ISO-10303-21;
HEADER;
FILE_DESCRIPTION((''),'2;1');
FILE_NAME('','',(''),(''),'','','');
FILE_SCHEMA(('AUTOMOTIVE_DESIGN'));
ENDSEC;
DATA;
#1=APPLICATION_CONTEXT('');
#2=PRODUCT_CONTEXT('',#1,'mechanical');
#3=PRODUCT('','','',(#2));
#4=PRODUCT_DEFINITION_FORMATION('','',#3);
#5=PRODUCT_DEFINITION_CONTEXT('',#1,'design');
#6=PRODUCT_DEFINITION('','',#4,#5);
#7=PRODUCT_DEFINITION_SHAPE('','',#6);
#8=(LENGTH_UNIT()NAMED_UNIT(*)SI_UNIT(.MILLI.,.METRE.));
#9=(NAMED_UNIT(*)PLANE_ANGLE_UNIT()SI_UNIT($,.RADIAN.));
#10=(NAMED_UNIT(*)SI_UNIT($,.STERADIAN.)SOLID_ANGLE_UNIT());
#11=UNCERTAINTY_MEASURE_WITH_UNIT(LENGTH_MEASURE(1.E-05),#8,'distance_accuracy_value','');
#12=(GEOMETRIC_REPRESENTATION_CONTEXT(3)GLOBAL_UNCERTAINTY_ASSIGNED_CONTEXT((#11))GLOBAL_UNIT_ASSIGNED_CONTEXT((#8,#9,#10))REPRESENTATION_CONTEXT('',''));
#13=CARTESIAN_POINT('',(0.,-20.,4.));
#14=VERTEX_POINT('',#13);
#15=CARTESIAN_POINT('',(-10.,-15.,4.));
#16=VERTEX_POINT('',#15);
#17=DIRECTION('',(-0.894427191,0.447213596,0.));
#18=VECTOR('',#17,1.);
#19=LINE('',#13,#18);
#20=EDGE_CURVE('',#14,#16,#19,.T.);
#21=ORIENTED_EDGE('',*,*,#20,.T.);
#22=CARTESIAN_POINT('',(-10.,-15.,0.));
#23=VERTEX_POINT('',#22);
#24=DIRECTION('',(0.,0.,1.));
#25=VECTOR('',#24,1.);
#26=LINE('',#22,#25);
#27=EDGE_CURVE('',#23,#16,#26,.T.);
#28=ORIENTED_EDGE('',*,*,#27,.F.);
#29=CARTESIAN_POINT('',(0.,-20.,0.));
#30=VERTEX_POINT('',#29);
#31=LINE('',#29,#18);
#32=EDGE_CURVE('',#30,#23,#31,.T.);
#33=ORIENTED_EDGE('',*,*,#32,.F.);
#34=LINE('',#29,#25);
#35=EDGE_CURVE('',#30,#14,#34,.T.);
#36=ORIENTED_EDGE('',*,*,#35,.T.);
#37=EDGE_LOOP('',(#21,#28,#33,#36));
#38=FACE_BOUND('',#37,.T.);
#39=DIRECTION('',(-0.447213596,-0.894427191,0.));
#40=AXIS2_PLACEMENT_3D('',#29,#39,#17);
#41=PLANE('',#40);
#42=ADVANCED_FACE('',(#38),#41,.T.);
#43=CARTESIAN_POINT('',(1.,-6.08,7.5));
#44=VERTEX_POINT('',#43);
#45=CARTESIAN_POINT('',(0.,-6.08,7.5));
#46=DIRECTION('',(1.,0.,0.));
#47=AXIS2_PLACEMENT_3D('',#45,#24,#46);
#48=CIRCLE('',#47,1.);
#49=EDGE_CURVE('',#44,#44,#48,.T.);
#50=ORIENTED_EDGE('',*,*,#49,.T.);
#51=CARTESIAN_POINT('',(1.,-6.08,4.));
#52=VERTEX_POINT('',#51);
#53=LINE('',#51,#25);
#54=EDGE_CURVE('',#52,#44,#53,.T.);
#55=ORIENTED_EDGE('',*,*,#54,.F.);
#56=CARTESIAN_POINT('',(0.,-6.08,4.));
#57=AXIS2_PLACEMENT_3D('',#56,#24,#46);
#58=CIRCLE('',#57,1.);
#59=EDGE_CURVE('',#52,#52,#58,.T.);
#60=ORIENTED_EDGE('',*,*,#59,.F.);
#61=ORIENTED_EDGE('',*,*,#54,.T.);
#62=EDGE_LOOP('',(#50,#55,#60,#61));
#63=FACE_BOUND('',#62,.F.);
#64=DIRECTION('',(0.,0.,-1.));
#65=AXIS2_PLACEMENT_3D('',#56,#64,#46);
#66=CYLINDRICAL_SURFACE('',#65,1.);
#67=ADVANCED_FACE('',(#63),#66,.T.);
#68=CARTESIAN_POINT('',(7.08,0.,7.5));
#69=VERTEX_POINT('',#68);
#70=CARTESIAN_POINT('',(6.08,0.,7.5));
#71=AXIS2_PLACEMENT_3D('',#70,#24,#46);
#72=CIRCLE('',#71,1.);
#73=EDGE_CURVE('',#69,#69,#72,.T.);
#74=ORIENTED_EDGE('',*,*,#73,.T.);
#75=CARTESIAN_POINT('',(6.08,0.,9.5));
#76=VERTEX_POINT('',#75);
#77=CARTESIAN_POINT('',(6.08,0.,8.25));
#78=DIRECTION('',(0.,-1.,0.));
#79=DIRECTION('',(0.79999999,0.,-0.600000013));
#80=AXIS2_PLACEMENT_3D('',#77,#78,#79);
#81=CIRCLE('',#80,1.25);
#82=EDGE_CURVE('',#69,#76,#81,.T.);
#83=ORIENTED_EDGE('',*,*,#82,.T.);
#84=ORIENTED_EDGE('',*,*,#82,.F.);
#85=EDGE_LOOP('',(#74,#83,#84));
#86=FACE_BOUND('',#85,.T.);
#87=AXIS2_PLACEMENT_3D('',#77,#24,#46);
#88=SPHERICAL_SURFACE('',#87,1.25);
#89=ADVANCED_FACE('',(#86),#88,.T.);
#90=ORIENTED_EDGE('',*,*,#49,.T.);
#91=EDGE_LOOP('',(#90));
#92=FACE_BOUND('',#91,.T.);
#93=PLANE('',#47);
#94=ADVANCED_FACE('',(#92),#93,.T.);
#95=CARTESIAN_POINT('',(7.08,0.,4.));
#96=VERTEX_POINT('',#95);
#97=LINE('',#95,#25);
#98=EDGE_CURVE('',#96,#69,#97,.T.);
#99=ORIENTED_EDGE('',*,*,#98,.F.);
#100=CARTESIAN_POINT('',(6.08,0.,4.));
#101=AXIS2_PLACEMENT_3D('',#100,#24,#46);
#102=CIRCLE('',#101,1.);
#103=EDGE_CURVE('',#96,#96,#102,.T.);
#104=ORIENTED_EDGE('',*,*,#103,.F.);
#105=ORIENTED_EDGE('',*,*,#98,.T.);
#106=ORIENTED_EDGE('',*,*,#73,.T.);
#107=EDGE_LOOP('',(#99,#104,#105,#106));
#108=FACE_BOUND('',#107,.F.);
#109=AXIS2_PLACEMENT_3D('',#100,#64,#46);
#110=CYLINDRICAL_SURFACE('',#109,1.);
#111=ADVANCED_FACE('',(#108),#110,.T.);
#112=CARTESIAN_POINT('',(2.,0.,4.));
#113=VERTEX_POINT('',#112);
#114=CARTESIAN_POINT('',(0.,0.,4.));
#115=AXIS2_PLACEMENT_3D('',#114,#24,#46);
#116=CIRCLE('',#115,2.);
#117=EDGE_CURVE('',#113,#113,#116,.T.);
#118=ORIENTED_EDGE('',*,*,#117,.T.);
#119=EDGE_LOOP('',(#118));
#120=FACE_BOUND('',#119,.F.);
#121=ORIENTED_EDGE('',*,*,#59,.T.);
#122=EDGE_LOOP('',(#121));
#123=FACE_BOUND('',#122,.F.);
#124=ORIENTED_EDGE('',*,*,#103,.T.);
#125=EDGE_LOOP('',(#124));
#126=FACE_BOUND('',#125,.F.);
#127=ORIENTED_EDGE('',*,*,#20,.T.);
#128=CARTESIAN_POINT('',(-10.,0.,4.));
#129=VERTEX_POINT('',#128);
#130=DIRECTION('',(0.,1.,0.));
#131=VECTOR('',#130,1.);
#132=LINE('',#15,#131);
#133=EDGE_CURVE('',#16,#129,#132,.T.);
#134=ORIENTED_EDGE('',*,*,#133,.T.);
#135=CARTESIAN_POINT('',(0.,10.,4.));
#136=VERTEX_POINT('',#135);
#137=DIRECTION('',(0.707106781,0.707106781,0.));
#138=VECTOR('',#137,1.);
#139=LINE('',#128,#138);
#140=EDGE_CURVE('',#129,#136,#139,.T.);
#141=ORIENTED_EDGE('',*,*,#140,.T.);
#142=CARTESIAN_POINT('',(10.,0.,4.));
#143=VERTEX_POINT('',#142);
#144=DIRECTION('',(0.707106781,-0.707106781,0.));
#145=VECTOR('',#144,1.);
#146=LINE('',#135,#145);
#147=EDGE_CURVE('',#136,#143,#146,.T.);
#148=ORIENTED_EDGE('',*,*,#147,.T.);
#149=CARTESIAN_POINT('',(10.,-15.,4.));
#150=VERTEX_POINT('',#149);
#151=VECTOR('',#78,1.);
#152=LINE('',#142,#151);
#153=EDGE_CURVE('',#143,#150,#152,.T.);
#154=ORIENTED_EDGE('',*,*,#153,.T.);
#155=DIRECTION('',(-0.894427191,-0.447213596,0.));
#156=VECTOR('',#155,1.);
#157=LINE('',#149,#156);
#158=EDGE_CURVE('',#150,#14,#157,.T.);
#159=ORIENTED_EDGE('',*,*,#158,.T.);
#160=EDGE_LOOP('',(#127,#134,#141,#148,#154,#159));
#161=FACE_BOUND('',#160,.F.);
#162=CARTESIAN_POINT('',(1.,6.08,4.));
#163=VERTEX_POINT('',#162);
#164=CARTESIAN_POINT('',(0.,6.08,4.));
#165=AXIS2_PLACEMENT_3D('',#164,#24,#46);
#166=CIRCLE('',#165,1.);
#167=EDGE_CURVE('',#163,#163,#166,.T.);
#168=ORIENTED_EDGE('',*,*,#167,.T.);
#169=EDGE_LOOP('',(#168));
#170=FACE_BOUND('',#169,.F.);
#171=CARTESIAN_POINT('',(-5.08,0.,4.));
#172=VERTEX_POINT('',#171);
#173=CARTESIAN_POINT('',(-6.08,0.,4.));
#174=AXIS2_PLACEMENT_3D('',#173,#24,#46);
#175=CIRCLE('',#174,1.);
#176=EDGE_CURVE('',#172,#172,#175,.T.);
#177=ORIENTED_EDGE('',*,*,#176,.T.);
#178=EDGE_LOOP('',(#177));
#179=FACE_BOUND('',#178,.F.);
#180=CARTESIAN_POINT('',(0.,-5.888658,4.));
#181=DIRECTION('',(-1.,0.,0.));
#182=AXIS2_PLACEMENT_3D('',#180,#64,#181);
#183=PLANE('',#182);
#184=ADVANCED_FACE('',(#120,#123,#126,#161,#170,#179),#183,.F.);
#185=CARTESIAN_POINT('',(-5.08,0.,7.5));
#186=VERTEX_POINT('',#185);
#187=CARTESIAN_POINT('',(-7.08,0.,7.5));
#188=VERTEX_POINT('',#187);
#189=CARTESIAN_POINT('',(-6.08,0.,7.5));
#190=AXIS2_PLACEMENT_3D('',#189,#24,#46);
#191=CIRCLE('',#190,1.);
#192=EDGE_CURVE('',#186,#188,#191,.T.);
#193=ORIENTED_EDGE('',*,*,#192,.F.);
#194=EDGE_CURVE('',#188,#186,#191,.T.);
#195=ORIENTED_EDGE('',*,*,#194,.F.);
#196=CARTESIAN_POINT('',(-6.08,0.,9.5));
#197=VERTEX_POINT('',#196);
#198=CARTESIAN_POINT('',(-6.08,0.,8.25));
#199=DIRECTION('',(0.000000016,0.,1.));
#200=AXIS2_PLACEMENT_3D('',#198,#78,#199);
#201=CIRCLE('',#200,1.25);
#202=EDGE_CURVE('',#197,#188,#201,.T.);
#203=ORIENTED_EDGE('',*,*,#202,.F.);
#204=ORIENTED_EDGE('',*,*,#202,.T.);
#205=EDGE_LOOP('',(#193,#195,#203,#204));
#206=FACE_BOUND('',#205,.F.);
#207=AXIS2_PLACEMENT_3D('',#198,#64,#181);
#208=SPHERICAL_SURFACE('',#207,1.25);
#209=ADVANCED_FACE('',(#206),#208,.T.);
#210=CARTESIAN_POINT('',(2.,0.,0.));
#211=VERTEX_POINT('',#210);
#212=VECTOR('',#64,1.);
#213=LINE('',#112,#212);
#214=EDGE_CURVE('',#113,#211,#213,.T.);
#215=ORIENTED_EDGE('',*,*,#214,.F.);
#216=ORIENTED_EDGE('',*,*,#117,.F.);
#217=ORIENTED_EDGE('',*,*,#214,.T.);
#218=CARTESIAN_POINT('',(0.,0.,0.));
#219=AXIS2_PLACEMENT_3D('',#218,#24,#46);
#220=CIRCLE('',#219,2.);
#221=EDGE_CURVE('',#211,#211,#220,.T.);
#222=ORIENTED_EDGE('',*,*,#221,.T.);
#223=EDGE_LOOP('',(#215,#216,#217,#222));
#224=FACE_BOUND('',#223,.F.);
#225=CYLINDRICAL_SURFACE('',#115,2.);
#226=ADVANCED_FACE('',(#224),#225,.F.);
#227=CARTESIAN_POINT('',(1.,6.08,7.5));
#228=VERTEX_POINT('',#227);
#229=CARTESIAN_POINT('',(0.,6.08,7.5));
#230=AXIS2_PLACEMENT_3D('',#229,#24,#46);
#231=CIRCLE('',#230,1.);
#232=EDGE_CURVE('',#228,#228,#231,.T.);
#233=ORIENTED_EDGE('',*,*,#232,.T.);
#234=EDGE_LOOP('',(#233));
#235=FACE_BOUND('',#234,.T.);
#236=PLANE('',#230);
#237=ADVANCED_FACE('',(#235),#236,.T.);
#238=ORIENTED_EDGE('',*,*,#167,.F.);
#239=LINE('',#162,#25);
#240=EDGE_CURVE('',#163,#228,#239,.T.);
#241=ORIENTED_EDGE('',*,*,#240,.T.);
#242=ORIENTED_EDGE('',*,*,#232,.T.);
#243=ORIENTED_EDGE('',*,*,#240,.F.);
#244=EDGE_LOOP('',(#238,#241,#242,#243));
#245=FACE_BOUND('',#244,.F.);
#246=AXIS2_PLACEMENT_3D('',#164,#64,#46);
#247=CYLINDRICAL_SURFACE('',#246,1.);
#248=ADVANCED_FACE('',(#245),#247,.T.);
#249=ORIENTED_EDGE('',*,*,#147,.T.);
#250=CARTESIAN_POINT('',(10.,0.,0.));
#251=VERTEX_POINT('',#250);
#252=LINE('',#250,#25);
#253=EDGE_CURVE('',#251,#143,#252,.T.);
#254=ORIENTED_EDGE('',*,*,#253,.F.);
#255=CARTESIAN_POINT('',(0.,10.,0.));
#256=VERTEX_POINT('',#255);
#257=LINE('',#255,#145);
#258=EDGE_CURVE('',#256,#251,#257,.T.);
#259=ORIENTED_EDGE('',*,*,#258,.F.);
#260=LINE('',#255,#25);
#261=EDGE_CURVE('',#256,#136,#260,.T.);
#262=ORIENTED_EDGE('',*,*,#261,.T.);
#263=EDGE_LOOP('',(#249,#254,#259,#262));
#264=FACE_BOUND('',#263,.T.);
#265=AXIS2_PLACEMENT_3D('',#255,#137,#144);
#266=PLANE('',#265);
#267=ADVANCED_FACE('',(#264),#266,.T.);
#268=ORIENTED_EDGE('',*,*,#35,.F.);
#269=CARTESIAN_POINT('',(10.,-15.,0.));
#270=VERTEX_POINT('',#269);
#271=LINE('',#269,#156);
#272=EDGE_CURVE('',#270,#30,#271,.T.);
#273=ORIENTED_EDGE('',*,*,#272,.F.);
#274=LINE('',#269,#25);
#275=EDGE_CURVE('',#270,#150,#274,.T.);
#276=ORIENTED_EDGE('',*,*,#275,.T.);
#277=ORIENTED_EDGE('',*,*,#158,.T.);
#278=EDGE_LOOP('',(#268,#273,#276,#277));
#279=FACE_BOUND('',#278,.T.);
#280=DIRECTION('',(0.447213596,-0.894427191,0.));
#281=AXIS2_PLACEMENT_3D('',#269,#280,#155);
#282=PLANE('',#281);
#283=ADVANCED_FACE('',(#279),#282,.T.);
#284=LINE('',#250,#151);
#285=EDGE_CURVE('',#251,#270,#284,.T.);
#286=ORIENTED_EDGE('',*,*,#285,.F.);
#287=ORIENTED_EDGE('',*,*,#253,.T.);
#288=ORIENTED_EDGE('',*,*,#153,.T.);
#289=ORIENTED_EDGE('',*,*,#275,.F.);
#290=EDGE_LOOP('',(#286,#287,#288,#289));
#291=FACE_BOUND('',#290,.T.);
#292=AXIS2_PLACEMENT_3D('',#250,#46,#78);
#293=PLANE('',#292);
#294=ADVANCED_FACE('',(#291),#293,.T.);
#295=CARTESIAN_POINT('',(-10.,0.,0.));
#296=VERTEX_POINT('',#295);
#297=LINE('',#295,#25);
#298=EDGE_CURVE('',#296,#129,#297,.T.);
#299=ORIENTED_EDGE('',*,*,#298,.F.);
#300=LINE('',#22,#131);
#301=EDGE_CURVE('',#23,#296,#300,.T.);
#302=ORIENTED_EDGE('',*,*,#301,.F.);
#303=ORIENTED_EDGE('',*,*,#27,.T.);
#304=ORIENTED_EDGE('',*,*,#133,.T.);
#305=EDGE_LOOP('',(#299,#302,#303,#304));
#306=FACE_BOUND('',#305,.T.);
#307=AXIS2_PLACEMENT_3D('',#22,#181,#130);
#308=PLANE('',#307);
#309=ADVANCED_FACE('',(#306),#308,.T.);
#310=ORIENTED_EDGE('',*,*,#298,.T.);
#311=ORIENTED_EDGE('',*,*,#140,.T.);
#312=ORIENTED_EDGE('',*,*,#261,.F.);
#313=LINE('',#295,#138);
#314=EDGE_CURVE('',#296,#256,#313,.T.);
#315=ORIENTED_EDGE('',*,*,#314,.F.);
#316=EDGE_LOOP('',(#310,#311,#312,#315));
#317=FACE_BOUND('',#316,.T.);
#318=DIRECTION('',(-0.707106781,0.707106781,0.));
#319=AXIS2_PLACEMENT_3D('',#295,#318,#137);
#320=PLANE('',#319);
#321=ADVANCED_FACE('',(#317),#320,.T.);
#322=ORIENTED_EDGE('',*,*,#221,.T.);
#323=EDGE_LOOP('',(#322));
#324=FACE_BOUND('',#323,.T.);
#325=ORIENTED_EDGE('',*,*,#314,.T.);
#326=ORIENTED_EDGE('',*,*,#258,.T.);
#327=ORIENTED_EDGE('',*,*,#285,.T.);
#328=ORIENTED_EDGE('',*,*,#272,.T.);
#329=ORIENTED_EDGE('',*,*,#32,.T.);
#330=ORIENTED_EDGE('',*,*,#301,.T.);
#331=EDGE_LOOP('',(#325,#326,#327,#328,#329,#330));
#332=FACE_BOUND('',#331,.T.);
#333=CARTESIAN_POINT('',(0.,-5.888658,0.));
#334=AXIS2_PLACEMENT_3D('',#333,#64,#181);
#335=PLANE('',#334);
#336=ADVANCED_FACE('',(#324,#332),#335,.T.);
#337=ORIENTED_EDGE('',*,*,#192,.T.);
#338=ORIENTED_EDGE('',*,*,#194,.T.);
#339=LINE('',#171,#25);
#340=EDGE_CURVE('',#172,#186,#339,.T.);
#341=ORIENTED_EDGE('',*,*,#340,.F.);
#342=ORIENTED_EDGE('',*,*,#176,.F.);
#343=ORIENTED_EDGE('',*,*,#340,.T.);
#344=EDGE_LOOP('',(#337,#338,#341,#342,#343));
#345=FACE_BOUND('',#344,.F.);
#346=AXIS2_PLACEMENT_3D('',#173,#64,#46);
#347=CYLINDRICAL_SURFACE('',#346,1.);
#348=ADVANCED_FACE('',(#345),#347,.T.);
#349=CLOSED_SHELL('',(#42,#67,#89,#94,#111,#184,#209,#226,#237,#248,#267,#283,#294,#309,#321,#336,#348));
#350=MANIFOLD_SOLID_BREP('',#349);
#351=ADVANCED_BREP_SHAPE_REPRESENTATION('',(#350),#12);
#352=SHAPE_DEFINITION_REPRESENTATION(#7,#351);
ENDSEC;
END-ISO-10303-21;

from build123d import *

# Parameters (mm, degrees)
PAD_DEPTH    = 4
SKETCH001_R  = 2
POCKET_DEPTH = 5
SKETCH002_R  = 1
PAD001_DEPTH = 3.5


with BuildPart() as part:
    # Sketch → Pad (new body)
    with BuildSketch(Plane.XY):
        Polygon((-10, 0), (0, 10), (10, 0), (10, -15), (0, -20), (-10, -15), align=None)
    extrude(amount=PAD_DEPTH)

    # Sketch001 (on Face8 of Pad) → Pocket (cut)
    with BuildSketch(Plane.XY.offset(4)):
        Circle(SKETCH001_R)
    extrude(amount=-POCKET_DEPTH, mode=Mode.SUBTRACT)

    # Sketch002 (on Face5 of Pocket) → Pad001 (join)
    with BuildSketch(Plane.XY.offset(4)):
        with Locations((0, 6.08)):
            Circle(SKETCH002_R)
        with Locations((-6.08, 0)):
            Circle(SKETCH002_R)
        with Locations((6.08, 0)):
            Circle(SKETCH002_R)
        with Locations((0, -6.08)):
            Circle(SKETCH002_R)
    extrude(amount=PAD001_DEPTH)

    # Sketch006 → Revolution (revolve)
    with BuildSketch(Plane.XZ):
        with BuildLine():
            ThreePointArc((-6.08, 9.5), (-7.198034, 8.809017), (-7.08, 7.5))
            Line((-7.08, 7.5), (-6.08, 7.5))
            Line((-6.08, 7.5), (-6.08, 9.5))
        make_face()
    revolve(axis=Axis((-6.08, 0, 7.5), (0, 0, 1)))

    # Sketch008 → Revolution001 (revolve)
    with BuildSketch(Plane.XZ):
        with BuildLine():
            ThreePointArc((7.08, 7.5), (7.198034, 8.809017), (6.08, 9.5))
            Line((6.08, 7.5), (6.08, 9.5))
            Line((7.08, 7.5), (6.08, 7.5))
        make_face()
    revolve(axis=Axis((6.08, 0, 7.5), (0, 0, 1)))


solid = part.part
